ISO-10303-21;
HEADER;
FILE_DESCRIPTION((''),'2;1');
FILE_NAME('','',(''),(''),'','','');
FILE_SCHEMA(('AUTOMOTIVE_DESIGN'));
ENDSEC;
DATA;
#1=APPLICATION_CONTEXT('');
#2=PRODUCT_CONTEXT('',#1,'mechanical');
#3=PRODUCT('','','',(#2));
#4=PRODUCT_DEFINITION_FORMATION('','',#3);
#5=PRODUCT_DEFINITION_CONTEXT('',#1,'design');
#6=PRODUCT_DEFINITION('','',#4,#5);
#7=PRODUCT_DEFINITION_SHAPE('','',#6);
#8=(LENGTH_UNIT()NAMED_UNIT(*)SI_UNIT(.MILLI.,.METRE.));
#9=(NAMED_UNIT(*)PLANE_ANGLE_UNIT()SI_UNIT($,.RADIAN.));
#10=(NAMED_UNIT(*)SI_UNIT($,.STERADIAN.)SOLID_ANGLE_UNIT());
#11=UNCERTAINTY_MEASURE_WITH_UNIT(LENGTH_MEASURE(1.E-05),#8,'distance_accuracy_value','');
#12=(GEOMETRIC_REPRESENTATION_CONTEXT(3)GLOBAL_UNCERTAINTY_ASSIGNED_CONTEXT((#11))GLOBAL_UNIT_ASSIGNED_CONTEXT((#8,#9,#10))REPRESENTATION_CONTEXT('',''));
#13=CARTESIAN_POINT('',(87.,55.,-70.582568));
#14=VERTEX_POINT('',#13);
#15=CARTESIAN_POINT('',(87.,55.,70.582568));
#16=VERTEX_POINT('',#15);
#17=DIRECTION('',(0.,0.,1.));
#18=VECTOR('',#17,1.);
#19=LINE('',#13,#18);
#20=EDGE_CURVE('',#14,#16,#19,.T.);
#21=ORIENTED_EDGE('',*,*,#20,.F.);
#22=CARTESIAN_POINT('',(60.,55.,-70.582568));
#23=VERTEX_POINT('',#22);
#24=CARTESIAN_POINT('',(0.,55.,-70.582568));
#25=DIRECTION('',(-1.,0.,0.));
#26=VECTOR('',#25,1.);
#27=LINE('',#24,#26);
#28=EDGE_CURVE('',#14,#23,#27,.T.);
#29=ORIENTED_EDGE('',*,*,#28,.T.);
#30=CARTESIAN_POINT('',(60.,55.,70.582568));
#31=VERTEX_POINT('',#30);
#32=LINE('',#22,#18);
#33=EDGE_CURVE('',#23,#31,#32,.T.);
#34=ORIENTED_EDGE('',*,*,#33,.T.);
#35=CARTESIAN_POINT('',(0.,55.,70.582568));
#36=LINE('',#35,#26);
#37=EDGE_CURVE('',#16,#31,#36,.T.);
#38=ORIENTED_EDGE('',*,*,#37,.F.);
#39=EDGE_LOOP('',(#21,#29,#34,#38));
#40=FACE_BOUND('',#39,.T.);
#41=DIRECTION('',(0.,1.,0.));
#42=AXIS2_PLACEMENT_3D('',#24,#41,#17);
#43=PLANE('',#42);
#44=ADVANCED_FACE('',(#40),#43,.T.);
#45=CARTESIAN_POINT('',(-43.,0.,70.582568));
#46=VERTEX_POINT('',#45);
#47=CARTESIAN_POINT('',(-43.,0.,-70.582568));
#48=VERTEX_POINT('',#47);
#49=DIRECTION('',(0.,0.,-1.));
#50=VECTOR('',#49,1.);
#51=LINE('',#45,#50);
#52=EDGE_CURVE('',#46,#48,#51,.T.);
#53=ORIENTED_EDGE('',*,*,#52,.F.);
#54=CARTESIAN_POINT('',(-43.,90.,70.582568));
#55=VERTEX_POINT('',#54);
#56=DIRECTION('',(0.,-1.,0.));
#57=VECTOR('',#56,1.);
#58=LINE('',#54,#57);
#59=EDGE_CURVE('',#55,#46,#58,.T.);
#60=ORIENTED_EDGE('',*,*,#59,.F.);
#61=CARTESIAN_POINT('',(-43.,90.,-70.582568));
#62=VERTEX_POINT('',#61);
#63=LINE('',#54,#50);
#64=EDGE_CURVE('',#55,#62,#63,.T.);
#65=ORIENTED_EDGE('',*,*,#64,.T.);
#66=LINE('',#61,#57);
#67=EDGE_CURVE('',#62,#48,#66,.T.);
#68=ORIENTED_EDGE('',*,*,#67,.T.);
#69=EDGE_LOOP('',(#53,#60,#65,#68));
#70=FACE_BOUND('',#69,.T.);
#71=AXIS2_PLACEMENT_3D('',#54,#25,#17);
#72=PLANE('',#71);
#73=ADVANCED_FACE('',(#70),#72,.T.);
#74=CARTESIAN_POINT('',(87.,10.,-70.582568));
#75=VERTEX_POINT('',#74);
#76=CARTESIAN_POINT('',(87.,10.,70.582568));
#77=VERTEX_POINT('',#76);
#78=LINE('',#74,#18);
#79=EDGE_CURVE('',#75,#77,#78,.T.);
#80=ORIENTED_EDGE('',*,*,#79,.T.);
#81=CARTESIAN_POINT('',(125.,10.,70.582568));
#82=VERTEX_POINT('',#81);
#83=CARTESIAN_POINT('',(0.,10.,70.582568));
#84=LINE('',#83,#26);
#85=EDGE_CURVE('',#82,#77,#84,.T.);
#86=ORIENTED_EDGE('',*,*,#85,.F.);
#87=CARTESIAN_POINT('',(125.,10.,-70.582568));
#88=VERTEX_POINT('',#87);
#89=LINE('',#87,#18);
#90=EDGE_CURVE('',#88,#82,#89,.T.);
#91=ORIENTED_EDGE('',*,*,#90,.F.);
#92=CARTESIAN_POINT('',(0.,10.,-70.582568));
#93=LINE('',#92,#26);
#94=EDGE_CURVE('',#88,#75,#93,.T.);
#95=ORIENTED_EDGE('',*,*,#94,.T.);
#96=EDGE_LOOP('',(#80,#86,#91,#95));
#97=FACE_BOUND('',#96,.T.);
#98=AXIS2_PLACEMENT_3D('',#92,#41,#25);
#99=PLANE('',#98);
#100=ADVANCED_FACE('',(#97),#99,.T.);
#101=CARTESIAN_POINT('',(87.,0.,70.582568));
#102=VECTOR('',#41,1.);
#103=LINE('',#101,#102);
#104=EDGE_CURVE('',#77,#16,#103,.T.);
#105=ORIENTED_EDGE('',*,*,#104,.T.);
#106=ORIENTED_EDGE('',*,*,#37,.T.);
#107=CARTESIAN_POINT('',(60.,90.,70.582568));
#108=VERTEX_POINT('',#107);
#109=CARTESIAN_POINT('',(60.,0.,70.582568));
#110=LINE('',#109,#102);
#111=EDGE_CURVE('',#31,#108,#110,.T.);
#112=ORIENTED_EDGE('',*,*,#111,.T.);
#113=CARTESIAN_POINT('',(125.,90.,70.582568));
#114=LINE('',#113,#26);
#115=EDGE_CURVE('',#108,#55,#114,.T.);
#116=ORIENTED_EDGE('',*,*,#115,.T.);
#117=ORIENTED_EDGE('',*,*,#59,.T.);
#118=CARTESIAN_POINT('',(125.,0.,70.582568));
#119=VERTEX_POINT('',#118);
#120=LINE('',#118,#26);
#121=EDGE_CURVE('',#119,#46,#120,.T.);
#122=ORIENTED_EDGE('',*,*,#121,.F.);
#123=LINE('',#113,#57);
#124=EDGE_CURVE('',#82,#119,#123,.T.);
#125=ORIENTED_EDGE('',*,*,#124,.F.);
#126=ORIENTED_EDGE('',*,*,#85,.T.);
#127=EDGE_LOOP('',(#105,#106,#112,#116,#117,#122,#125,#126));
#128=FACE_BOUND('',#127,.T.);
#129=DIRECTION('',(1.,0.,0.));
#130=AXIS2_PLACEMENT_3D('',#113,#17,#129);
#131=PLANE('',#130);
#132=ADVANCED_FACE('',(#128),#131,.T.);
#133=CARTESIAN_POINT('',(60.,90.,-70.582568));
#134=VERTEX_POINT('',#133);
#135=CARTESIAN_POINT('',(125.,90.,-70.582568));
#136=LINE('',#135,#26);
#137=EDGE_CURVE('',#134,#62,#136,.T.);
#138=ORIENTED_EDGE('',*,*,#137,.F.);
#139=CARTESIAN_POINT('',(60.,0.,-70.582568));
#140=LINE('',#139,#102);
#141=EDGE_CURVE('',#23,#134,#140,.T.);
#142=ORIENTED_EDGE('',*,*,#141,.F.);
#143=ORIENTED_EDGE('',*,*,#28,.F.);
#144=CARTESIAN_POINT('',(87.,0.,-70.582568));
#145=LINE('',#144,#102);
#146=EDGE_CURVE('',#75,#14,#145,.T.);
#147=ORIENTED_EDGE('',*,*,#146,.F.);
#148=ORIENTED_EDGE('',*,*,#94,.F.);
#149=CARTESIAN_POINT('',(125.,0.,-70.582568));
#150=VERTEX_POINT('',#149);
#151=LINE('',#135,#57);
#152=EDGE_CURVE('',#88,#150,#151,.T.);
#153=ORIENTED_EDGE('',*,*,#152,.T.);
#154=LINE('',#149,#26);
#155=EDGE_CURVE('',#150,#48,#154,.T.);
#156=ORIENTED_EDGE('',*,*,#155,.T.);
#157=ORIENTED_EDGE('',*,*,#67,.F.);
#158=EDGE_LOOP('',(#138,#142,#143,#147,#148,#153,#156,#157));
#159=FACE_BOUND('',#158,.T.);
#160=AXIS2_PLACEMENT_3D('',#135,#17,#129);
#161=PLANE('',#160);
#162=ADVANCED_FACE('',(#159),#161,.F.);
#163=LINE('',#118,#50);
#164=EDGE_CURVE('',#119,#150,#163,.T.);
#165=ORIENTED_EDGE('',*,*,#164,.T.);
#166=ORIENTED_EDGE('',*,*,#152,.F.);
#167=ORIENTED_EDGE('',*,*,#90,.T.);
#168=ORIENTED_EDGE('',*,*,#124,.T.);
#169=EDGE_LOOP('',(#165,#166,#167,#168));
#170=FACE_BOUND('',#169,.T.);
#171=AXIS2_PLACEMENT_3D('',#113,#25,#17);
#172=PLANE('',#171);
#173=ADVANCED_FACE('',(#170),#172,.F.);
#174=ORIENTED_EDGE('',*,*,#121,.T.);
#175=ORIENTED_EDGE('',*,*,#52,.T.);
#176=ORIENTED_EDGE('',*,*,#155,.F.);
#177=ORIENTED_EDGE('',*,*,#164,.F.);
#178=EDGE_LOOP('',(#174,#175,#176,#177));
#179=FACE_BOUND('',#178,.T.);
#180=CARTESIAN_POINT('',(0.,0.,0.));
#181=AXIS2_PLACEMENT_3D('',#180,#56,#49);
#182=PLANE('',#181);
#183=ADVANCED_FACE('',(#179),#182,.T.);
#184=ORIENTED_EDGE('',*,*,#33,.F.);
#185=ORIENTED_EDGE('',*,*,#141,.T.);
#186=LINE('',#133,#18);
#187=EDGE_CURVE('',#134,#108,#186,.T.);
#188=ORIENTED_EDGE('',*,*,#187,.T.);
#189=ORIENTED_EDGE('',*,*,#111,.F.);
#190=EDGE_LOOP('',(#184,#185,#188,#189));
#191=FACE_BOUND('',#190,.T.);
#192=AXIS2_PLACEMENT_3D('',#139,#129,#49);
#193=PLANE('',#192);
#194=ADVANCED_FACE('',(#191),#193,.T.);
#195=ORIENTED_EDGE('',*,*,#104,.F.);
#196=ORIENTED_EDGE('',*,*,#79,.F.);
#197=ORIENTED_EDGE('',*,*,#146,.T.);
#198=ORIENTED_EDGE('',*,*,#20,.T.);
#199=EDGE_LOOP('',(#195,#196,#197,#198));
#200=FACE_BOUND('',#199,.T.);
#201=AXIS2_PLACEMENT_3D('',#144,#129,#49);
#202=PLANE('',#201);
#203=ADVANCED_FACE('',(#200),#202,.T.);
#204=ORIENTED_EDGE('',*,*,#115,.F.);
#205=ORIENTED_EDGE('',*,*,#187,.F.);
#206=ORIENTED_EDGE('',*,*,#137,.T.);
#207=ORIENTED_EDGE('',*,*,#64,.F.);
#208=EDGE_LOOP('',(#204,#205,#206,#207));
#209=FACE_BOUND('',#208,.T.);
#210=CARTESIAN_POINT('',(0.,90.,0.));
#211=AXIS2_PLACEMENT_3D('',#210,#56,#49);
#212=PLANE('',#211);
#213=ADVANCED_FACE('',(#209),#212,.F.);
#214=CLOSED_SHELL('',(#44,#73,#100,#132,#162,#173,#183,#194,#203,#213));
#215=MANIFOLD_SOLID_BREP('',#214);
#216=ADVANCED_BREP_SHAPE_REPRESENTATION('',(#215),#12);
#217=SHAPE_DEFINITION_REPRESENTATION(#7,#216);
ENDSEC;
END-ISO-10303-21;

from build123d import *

# Parameters (mm, degrees)
SKETCH1_W               = 168
SKETCH1_H               = 141.165136176
BOSS_EXTRUDE1_DEPTH     = 90
CUT_EXTRUDE1_DEPTH      = 170.43110375
CUT_EXTRUDE1_DEPTH_BACK = 170.43110375


with BuildPart() as part:
    # Sketch1 → Boss-Extrude1 (new body)
    with BuildSketch(Plane(origin=(0, 0, 0), x_dir=(1, 0, 0), z_dir=(0, 1, 0))):
        with Locations((41, 0)):
            Rectangle(SKETCH1_W, SKETCH1_H)
    extrude(amount=BOSS_EXTRUDE1_DEPTH)

    # Sketch2 → Cut-Extrude1 (cut, two sides: drawn at the far end of the back side and taken through both)
    with BuildSketch(Plane.XY.offset(-CUT_EXTRUDE1_DEPTH_BACK)):
        Polygon((125, 90), (125, 10), (87, 10), (87, 55), (60, 55), (60, 90), align=None)
    extrude(amount=CUT_EXTRUDE1_DEPTH + CUT_EXTRUDE1_DEPTH_BACK, mode=Mode.SUBTRACT)


solid = part.part
